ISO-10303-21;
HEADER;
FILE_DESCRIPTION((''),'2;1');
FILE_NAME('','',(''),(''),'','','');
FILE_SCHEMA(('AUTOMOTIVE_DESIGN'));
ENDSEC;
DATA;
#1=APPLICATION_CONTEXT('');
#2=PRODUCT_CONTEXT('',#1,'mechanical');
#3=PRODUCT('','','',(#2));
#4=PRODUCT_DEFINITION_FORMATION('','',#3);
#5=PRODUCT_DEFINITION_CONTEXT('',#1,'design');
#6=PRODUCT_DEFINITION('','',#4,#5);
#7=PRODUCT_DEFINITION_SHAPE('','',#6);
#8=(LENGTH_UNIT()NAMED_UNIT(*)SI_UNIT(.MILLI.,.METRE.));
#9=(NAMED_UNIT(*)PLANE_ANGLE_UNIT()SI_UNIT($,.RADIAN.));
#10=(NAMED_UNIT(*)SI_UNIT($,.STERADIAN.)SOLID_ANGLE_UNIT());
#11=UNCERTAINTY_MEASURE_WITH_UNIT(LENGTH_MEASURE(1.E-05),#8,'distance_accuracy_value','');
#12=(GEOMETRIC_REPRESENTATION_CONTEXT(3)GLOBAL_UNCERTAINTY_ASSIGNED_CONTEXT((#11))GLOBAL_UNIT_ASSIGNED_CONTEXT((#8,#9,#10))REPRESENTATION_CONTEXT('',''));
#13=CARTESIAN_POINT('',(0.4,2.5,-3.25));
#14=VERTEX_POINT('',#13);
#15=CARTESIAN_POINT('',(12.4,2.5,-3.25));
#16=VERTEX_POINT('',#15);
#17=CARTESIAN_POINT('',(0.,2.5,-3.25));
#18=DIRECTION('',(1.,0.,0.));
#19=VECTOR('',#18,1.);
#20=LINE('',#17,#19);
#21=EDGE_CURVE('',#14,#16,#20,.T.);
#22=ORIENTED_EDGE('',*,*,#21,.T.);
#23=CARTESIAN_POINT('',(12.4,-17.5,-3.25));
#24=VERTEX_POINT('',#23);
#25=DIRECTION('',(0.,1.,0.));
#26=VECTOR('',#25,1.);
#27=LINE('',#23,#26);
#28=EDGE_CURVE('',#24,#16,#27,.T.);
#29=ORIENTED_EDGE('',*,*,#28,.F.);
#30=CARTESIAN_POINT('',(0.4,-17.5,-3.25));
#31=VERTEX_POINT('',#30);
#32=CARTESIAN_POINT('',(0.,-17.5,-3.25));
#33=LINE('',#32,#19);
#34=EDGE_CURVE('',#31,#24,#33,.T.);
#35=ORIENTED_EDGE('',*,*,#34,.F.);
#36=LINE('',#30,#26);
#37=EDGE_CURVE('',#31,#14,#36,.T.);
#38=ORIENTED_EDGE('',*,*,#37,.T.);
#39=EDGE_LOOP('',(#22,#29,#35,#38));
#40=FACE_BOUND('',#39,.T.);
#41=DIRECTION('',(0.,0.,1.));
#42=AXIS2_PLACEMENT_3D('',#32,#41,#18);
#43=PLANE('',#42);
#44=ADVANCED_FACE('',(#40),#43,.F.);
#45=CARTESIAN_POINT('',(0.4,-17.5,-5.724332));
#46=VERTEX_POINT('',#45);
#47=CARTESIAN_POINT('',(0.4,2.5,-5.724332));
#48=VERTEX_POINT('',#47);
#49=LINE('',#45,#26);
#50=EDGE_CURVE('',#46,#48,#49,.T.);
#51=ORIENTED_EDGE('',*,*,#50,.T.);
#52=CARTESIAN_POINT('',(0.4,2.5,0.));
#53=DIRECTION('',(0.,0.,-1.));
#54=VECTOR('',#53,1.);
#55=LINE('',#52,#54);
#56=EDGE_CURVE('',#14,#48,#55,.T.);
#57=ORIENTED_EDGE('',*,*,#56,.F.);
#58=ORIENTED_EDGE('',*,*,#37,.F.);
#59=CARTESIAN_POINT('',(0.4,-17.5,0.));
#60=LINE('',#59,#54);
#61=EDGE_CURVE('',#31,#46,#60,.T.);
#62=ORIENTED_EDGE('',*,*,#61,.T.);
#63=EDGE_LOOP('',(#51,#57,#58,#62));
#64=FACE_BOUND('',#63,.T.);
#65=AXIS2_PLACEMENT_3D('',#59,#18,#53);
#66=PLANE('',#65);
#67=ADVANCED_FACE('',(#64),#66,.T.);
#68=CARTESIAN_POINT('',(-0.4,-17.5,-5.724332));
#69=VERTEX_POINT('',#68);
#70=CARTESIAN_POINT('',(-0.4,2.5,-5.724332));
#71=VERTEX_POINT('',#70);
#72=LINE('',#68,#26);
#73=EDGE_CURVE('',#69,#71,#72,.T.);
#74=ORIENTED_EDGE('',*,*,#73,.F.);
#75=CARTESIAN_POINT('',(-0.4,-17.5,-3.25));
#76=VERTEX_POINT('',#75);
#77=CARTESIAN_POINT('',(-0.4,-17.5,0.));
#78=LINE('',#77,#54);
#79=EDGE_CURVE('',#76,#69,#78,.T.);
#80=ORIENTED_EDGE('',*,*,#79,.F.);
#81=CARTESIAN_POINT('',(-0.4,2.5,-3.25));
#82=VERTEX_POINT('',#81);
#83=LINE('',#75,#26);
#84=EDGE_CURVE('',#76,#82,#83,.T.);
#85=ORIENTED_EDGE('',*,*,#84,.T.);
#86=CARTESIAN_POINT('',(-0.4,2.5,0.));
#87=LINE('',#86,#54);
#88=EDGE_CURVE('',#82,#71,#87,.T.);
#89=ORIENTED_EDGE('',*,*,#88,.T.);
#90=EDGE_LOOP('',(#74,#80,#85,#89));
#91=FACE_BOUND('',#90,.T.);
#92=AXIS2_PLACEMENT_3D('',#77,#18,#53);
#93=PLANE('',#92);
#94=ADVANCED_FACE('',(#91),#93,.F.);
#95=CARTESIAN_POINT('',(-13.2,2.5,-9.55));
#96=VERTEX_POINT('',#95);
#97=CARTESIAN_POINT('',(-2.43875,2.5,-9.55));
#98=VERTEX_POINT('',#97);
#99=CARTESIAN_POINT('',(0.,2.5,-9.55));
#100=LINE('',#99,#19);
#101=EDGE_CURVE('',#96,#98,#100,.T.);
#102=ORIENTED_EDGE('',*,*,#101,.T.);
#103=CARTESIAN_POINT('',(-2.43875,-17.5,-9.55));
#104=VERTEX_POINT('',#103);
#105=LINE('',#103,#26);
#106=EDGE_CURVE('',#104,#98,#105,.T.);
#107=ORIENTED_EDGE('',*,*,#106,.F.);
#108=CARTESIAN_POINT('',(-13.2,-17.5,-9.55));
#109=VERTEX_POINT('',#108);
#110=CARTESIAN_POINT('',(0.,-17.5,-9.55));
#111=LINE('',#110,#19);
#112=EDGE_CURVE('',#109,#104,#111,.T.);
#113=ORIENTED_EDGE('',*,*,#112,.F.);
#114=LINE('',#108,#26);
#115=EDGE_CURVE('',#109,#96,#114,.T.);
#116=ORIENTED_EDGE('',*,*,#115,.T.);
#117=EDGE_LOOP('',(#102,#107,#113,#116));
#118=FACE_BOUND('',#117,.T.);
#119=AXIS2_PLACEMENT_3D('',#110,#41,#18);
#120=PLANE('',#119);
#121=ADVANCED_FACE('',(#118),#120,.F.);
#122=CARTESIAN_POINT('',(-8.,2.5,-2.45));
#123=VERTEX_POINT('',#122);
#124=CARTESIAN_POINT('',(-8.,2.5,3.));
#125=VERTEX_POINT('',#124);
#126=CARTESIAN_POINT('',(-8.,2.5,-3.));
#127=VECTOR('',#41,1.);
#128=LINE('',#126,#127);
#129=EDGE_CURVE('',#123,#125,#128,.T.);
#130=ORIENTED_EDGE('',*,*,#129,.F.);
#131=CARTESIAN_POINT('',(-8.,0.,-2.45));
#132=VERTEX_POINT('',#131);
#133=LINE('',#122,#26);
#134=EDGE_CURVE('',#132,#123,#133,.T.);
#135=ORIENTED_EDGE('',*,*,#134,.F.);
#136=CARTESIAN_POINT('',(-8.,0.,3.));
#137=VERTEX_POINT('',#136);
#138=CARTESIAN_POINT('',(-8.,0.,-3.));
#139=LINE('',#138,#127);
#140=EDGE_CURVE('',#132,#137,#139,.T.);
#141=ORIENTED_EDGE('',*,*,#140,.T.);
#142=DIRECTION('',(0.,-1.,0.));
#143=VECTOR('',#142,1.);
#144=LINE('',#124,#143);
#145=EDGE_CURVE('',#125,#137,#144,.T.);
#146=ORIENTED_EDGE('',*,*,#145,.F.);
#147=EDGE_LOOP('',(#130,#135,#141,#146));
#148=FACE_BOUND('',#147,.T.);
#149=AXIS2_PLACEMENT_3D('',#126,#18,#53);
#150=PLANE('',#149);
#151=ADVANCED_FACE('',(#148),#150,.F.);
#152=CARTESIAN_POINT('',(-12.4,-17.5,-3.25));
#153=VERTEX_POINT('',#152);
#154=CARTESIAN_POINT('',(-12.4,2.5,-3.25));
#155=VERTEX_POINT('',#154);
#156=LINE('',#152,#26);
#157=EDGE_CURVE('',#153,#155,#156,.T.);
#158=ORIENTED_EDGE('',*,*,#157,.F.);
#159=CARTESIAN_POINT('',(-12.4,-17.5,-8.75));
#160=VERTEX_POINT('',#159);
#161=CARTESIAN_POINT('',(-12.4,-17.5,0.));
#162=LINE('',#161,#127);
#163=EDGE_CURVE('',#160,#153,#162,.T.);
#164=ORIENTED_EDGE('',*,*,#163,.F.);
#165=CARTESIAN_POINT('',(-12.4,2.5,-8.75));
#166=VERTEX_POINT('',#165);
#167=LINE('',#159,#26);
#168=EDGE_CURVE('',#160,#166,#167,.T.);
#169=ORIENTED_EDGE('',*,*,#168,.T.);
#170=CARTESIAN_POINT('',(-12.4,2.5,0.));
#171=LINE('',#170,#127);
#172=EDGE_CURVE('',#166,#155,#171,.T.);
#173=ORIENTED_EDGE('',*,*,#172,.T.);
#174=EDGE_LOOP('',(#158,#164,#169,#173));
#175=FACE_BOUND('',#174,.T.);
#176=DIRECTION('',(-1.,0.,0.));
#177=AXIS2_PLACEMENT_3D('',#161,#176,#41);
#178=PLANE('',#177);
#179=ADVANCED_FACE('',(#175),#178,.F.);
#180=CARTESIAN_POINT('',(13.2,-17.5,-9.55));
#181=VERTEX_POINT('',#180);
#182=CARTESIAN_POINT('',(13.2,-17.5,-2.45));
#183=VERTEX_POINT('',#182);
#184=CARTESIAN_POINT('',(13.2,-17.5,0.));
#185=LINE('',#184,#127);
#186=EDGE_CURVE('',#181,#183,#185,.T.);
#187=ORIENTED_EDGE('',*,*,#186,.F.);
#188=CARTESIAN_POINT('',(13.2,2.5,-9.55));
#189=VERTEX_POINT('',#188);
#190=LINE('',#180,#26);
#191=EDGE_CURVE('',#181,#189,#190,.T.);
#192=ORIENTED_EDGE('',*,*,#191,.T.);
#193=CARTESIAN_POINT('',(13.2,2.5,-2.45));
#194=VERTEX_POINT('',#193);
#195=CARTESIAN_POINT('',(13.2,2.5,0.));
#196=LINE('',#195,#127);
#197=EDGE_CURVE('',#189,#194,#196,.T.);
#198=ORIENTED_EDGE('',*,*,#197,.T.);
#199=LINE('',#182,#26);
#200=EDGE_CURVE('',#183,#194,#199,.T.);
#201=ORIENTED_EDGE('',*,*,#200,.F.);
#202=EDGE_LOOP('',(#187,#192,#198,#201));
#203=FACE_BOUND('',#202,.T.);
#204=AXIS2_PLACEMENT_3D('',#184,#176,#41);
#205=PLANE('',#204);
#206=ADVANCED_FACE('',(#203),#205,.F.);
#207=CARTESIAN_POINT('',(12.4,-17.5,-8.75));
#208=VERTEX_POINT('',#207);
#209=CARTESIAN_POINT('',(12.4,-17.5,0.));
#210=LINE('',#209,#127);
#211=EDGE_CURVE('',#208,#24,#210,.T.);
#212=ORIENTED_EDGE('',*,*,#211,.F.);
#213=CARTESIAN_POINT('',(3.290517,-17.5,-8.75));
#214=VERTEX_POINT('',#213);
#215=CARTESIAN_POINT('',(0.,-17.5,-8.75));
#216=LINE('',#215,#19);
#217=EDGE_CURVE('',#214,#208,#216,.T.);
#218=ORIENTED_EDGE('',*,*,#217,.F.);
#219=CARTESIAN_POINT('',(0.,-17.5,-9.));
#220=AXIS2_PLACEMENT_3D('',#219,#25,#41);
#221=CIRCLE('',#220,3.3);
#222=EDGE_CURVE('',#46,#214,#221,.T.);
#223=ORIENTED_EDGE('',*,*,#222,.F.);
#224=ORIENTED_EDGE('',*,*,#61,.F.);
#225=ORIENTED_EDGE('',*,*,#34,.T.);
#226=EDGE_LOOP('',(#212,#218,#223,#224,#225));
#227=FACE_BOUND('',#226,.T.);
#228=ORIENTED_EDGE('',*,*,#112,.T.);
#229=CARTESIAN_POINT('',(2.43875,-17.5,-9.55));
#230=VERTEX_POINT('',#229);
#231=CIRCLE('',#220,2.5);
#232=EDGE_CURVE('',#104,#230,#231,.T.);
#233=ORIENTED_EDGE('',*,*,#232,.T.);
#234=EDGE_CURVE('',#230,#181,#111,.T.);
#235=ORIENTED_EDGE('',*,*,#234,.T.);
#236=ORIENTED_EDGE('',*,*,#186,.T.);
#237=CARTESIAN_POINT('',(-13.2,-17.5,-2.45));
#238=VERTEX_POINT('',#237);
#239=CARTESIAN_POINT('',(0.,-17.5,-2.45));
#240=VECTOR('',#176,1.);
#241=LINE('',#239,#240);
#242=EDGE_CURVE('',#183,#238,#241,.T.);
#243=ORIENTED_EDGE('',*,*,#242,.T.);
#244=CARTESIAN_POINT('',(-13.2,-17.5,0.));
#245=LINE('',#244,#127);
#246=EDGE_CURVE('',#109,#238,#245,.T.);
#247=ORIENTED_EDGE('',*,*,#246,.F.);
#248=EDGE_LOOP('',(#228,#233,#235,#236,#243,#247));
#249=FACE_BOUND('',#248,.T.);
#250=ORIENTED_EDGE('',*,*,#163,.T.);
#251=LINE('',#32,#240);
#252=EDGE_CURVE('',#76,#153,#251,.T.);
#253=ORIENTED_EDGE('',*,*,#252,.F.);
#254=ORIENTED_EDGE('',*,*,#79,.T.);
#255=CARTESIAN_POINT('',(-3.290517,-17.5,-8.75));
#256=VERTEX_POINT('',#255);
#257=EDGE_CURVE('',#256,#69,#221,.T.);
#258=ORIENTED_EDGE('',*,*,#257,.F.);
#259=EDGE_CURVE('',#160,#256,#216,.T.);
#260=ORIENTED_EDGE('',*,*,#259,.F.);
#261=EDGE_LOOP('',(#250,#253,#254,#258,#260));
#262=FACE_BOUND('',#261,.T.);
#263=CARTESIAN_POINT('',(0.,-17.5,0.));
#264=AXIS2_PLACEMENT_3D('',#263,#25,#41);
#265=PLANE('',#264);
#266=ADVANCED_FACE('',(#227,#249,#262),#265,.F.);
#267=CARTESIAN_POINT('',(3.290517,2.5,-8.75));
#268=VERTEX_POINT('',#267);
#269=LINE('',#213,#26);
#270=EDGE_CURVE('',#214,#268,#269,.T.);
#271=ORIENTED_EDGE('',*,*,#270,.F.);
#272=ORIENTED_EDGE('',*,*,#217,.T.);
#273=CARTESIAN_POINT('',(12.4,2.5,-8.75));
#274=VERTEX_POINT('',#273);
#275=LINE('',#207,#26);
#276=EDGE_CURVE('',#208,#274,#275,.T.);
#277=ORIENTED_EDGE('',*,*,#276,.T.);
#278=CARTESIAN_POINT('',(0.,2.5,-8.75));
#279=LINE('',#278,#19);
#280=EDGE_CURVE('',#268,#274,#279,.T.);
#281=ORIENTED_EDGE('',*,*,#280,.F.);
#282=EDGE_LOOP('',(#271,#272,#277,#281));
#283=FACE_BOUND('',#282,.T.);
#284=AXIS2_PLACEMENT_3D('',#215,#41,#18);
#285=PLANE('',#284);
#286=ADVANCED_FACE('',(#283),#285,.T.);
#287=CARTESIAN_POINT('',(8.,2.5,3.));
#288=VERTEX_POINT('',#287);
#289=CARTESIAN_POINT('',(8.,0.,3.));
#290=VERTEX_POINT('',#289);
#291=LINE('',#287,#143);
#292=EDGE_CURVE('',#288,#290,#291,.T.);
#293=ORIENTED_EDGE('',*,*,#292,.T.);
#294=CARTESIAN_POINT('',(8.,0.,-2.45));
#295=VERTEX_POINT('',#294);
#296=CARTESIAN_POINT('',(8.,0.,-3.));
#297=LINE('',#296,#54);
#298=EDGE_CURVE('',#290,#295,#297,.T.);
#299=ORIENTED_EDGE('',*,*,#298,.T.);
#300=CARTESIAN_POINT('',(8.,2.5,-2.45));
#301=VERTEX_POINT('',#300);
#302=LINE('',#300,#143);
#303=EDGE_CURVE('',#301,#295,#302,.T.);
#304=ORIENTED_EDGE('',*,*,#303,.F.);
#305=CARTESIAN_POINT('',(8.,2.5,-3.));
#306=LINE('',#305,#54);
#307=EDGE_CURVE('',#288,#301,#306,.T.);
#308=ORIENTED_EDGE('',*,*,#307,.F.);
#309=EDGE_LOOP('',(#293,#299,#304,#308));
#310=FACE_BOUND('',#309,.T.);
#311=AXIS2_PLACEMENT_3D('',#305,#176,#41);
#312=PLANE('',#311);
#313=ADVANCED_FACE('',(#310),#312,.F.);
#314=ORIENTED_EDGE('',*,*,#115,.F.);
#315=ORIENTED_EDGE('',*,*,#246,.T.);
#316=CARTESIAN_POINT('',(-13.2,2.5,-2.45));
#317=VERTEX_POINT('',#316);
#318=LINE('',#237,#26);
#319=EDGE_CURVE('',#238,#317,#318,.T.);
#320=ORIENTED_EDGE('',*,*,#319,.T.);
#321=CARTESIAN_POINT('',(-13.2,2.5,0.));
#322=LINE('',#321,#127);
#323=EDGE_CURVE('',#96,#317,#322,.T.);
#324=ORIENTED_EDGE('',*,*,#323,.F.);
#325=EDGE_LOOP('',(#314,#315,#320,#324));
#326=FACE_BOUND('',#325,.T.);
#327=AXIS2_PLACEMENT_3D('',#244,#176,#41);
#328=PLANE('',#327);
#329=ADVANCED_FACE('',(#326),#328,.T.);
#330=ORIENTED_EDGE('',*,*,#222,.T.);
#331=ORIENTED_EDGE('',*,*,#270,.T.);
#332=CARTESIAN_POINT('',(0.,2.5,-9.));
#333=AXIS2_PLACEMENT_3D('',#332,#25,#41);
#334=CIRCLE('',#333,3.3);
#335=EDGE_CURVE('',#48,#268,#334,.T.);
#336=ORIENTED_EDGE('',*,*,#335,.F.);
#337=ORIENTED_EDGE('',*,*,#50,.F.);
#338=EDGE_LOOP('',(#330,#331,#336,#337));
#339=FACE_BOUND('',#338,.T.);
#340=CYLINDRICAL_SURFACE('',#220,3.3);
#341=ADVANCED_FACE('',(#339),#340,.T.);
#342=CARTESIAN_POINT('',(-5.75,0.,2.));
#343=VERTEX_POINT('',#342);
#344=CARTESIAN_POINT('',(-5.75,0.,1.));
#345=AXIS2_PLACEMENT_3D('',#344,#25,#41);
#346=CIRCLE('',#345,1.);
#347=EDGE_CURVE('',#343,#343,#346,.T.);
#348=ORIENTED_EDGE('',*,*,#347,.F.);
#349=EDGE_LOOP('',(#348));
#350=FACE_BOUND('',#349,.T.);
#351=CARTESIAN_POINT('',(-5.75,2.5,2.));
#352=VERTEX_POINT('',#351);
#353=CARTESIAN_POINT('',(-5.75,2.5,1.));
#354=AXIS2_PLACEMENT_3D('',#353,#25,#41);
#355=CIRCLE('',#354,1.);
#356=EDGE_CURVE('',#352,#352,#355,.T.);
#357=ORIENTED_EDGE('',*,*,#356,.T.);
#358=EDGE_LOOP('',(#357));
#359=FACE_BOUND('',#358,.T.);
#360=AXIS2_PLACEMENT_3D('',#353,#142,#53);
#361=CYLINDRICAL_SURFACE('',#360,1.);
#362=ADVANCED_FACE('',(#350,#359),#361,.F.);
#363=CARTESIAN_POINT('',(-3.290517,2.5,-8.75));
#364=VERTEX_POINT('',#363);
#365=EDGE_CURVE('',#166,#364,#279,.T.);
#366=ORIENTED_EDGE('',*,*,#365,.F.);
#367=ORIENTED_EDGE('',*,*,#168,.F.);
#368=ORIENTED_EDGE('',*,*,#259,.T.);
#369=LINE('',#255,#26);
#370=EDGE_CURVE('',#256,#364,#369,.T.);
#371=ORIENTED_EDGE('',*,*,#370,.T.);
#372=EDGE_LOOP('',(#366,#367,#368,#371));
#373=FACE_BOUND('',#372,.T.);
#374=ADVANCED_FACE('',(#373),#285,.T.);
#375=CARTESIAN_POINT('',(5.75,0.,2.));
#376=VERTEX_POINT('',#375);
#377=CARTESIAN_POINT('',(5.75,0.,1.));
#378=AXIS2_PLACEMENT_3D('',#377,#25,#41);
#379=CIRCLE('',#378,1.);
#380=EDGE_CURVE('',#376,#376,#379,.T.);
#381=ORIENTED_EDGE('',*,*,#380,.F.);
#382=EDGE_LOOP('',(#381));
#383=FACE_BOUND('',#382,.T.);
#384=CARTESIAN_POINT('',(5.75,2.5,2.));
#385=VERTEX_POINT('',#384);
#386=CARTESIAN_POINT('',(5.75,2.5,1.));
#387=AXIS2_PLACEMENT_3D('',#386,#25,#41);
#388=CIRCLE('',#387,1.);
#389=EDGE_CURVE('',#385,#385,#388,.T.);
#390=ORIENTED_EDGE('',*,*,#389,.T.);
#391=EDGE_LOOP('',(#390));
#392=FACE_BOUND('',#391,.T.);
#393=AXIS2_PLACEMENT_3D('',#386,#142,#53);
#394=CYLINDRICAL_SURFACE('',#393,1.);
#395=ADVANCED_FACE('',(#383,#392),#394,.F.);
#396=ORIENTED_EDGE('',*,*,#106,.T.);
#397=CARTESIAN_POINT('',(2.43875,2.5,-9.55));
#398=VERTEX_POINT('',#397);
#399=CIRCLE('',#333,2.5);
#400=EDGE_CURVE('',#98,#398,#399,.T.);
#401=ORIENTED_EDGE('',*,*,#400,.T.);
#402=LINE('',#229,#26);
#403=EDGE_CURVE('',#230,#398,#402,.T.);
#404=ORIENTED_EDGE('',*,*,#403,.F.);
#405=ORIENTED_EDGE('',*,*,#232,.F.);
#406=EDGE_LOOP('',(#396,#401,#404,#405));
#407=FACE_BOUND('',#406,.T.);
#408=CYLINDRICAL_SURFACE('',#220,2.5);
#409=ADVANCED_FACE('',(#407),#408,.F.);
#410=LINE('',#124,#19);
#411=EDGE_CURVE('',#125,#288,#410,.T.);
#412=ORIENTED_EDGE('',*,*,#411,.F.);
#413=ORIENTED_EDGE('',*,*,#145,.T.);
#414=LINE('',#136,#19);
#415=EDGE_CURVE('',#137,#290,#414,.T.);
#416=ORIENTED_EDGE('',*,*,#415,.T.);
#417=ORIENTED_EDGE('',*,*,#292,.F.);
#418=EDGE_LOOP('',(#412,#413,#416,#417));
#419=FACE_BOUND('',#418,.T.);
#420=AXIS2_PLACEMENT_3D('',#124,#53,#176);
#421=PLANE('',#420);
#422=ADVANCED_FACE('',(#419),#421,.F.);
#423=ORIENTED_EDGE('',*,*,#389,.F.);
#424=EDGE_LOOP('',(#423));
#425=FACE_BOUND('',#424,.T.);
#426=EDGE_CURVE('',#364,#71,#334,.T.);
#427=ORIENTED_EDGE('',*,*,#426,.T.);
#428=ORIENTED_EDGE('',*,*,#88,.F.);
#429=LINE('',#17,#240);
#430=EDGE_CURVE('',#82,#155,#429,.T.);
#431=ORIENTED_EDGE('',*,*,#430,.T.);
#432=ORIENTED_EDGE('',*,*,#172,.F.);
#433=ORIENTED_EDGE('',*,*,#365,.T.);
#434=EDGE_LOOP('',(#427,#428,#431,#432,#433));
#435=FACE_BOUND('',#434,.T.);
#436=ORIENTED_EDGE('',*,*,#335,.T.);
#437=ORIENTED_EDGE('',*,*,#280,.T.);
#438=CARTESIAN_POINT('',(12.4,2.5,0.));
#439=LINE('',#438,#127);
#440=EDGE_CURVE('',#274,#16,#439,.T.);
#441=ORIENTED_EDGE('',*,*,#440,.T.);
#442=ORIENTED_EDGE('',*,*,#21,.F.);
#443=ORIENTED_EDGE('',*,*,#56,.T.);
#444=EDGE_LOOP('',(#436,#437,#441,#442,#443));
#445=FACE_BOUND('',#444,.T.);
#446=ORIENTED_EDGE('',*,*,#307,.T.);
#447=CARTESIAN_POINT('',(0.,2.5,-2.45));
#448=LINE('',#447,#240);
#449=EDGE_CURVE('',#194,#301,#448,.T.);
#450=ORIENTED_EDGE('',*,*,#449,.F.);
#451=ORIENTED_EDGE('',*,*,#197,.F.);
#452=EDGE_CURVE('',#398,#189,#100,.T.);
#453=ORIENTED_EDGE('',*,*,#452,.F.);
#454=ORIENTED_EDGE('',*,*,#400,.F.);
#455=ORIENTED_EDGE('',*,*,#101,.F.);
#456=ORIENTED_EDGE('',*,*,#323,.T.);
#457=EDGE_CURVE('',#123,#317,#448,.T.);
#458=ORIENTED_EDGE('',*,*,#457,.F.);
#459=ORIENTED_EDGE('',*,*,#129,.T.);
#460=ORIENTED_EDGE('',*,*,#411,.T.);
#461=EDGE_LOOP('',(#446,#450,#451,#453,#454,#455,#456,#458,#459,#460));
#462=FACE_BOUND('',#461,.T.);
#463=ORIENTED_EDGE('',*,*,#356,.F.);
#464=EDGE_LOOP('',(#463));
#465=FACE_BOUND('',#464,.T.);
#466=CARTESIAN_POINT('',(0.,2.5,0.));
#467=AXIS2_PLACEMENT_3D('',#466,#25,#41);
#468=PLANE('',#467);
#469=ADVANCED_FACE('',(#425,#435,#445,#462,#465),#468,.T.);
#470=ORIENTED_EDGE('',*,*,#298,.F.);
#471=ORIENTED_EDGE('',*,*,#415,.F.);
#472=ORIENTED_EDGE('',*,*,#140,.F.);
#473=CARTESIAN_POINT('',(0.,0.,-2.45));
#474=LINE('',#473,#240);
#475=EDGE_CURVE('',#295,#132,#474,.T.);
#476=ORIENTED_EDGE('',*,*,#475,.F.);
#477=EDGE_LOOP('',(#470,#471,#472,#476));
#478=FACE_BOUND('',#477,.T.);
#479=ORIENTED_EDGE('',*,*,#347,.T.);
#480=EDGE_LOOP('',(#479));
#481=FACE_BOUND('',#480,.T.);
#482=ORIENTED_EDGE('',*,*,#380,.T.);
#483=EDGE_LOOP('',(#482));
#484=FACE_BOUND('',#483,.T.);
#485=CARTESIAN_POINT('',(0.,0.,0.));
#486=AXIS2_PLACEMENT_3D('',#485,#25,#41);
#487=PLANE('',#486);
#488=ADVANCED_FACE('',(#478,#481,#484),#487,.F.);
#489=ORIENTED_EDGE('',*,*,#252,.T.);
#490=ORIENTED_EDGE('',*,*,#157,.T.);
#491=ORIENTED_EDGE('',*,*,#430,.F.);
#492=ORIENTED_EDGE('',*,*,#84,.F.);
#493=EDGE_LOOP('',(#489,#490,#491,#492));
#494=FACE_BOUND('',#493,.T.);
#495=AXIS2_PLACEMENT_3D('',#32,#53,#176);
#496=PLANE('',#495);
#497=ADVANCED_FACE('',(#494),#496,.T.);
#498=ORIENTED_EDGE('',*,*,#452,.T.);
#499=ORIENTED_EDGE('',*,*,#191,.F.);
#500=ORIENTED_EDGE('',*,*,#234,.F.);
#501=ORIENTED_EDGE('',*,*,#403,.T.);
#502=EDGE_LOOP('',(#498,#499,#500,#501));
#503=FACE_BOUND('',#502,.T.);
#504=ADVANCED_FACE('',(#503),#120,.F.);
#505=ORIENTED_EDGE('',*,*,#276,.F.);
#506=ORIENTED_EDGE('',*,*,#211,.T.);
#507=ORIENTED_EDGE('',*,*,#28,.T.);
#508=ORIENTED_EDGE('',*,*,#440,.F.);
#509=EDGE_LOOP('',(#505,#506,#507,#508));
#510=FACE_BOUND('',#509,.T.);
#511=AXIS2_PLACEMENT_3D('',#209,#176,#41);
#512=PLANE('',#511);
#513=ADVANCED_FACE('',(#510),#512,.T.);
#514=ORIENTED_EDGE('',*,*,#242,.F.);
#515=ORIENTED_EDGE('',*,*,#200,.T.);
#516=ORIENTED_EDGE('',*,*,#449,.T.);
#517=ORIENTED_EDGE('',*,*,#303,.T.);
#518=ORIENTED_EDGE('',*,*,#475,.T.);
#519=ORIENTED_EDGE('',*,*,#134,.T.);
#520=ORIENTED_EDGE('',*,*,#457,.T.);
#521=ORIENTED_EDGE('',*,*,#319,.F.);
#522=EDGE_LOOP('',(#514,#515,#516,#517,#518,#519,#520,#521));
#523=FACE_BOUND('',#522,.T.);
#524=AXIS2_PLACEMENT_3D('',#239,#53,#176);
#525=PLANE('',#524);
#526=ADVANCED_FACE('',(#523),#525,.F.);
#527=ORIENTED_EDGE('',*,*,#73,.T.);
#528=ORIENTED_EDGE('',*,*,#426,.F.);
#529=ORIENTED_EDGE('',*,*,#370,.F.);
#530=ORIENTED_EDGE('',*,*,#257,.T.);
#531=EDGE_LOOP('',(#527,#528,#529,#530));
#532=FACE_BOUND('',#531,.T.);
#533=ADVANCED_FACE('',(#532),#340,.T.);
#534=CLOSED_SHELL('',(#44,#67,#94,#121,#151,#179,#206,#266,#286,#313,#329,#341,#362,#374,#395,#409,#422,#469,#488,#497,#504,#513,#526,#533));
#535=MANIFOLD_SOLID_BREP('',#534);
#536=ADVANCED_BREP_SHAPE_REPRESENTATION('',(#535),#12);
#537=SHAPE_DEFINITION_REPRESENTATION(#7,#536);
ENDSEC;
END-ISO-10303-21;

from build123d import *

# Parameters (mm, degrees)
ESBO_O2_W                = 16
ESBO_O2_H                = 6
ESBO_O2_R                = 1
RESSALTO_EXTRUS_O4_DEPTH = 2.5
RESSALTO_EXTRUS_O6_DEPTH = 20


with BuildPart() as part:
    # Esboço2 → Ressalto-extrusão4 (new body)
    with BuildSketch(Plane(origin=(0, 0, 0), x_dir=(1, 0, 0), z_dir=(0, 1, 0))):
        Rectangle(ESBO_O2_W, ESBO_O2_H)
        with Locations(Location((-5.75, -1, 0), (0, 0, 270))):
            Circle(ESBO_O2_R, mode=Mode.SUBTRACT)
        with Locations(Location((5.75, -1, 0), (0, 0, 270))):
            Circle(ESBO_O2_R, mode=Mode.SUBTRACT)
    extrude(amount=RESSALTO_EXTRUS_O4_DEPTH)

    # Esboço4 → Ressalto-extrusão6 (add)
    with BuildSketch(Plane(origin=(0, 2.5, 0), x_dir=(1, 0, 0), z_dir=(0, 1, 0))):
        with BuildLine():
            Line((13.2, 2.45), (-13.2, 2.45))
            Line((-13.2, 2.45), (-13.2, 9.55))
            Line((-13.2, 9.55), (-2.43874968, 9.55))
            ThreePointArc((-2.43874968, 9.55), (0, 6.5), (2.43874968, 9.55))
            Line((2.43874968, 9.55), (13.2, 9.55))
            Line((13.2, 9.55), (13.2, 2.45))
        make_face()
        with BuildLine():
            Line((3.290516677, 8.75), (12.4, 8.75))
            Line((12.4, 8.75), (12.4, 3.25))
            Line((12.4, 3.25), (0.4, 3.25))
            Line((0.4, 3.25), (0.4, 5.724332129))
            ThreePointArc((0.4, 5.724332129), (2.386135967, 6.720448476), (3.290516677, 8.75))
        make_face(mode=Mode.SUBTRACT)
        with BuildLine():
            Line((-0.4, 3.25), (-12.4, 3.25))
            Line((-12.4, 3.25), (-12.4, 8.75))
            Line((-12.4, 8.75), (-3.290516677, 8.75))
            ThreePointArc((-3.290516677, 8.75), (-2.386135967, 6.720448476), (-0.4, 5.724332129))
            Line((-0.4, 5.724332129), (-0.4, 3.25))
        make_face(mode=Mode.SUBTRACT)
    extrude(amount=-RESSALTO_EXTRUS_O6_DEPTH)


solid = part.part
